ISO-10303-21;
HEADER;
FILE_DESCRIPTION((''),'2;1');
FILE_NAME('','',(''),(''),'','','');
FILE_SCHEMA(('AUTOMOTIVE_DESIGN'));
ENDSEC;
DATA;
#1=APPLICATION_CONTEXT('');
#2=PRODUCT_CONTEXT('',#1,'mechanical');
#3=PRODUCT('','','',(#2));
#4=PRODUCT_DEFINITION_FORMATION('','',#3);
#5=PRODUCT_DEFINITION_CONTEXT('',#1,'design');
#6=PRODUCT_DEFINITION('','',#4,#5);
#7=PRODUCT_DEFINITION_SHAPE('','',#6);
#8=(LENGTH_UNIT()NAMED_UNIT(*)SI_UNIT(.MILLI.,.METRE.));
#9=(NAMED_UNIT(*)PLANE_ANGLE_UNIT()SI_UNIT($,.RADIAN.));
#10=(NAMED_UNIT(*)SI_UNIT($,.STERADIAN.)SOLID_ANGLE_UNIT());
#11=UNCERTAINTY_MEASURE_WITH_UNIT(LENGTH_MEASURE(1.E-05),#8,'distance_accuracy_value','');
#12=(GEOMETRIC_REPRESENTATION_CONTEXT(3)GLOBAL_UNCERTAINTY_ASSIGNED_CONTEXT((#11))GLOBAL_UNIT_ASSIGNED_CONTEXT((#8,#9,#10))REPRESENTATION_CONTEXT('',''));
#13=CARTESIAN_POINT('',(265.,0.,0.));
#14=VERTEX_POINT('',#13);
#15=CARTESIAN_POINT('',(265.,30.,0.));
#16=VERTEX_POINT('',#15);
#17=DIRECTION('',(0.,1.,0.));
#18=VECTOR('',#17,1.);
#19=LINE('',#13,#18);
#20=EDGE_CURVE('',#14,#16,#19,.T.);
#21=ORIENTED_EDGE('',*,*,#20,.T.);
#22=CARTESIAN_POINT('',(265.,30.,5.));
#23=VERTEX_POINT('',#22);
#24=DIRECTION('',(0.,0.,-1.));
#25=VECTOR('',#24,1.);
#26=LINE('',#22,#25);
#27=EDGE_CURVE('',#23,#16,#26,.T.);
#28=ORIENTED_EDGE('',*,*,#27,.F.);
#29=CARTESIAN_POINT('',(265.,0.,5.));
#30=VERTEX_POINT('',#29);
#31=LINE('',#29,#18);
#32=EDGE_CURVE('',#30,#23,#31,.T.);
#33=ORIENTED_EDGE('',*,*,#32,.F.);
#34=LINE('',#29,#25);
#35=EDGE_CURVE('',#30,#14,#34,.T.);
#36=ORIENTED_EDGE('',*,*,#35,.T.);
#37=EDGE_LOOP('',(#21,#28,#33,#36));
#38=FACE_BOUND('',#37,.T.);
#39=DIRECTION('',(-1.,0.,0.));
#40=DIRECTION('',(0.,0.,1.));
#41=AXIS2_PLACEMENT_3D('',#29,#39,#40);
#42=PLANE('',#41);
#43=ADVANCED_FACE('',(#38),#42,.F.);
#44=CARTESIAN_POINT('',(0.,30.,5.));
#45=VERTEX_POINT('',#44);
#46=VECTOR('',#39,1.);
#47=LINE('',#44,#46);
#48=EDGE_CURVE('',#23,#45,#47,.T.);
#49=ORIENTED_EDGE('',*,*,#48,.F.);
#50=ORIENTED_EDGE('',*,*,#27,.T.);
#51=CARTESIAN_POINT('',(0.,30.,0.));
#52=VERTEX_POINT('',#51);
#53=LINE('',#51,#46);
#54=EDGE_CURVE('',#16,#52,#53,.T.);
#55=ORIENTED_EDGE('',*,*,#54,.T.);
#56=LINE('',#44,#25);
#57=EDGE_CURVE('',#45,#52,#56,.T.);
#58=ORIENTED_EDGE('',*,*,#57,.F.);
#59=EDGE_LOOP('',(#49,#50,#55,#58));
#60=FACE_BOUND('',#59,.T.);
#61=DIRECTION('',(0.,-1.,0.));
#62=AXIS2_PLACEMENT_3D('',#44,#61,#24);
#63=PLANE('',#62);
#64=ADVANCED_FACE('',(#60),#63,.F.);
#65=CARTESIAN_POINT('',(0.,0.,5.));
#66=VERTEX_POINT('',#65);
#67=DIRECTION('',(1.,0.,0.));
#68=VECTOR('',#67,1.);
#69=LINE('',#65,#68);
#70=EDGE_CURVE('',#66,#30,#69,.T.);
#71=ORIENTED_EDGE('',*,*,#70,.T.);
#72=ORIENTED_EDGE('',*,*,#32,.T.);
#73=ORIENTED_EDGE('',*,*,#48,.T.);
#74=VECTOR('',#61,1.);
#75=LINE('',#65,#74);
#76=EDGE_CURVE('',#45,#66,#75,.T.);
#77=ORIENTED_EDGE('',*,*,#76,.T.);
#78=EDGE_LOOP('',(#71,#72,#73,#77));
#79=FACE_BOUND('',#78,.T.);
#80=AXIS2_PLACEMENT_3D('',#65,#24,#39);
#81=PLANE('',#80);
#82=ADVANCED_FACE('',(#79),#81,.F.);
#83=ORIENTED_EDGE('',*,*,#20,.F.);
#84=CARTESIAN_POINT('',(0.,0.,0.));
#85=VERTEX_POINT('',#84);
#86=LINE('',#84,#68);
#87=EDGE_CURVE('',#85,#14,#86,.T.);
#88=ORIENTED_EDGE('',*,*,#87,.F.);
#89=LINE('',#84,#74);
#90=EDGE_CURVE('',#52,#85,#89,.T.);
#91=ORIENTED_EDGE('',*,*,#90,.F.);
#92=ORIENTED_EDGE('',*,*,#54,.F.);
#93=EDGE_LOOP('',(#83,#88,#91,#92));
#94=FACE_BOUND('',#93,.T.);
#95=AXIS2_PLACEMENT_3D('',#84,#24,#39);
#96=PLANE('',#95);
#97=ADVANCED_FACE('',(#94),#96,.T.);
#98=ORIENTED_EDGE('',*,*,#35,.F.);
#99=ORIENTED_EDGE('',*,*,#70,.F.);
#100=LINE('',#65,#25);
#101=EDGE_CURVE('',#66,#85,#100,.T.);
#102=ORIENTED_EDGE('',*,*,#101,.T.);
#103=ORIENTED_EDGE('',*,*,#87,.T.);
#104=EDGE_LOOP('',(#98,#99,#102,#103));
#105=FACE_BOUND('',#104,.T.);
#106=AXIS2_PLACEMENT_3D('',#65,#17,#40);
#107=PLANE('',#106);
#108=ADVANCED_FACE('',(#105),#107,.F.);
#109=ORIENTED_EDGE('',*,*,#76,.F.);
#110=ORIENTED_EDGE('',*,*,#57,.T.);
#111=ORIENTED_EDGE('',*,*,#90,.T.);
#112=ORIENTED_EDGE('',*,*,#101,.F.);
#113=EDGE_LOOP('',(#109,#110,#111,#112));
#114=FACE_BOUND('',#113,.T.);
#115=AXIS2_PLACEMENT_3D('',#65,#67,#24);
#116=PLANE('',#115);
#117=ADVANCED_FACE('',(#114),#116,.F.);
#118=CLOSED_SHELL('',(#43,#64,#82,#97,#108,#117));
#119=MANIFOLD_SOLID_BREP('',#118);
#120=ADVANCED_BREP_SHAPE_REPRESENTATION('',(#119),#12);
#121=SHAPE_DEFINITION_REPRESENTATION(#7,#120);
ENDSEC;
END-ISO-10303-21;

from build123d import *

# Parameters (mm, degrees)
SKETCH1_W           = 265
SKETCH1_H           = 30
BOSS_EXTRUDE1_DEPTH = 5


with BuildPart() as part:
    # Sketch1 → Boss-Extrude1 (new body)
    with BuildSketch(Plane.XY):
        with Locations((132.5, 15)):
            Rectangle(SKETCH1_W, SKETCH1_H)
    extrude(amount=BOSS_EXTRUDE1_DEPTH)


solid = part.part
